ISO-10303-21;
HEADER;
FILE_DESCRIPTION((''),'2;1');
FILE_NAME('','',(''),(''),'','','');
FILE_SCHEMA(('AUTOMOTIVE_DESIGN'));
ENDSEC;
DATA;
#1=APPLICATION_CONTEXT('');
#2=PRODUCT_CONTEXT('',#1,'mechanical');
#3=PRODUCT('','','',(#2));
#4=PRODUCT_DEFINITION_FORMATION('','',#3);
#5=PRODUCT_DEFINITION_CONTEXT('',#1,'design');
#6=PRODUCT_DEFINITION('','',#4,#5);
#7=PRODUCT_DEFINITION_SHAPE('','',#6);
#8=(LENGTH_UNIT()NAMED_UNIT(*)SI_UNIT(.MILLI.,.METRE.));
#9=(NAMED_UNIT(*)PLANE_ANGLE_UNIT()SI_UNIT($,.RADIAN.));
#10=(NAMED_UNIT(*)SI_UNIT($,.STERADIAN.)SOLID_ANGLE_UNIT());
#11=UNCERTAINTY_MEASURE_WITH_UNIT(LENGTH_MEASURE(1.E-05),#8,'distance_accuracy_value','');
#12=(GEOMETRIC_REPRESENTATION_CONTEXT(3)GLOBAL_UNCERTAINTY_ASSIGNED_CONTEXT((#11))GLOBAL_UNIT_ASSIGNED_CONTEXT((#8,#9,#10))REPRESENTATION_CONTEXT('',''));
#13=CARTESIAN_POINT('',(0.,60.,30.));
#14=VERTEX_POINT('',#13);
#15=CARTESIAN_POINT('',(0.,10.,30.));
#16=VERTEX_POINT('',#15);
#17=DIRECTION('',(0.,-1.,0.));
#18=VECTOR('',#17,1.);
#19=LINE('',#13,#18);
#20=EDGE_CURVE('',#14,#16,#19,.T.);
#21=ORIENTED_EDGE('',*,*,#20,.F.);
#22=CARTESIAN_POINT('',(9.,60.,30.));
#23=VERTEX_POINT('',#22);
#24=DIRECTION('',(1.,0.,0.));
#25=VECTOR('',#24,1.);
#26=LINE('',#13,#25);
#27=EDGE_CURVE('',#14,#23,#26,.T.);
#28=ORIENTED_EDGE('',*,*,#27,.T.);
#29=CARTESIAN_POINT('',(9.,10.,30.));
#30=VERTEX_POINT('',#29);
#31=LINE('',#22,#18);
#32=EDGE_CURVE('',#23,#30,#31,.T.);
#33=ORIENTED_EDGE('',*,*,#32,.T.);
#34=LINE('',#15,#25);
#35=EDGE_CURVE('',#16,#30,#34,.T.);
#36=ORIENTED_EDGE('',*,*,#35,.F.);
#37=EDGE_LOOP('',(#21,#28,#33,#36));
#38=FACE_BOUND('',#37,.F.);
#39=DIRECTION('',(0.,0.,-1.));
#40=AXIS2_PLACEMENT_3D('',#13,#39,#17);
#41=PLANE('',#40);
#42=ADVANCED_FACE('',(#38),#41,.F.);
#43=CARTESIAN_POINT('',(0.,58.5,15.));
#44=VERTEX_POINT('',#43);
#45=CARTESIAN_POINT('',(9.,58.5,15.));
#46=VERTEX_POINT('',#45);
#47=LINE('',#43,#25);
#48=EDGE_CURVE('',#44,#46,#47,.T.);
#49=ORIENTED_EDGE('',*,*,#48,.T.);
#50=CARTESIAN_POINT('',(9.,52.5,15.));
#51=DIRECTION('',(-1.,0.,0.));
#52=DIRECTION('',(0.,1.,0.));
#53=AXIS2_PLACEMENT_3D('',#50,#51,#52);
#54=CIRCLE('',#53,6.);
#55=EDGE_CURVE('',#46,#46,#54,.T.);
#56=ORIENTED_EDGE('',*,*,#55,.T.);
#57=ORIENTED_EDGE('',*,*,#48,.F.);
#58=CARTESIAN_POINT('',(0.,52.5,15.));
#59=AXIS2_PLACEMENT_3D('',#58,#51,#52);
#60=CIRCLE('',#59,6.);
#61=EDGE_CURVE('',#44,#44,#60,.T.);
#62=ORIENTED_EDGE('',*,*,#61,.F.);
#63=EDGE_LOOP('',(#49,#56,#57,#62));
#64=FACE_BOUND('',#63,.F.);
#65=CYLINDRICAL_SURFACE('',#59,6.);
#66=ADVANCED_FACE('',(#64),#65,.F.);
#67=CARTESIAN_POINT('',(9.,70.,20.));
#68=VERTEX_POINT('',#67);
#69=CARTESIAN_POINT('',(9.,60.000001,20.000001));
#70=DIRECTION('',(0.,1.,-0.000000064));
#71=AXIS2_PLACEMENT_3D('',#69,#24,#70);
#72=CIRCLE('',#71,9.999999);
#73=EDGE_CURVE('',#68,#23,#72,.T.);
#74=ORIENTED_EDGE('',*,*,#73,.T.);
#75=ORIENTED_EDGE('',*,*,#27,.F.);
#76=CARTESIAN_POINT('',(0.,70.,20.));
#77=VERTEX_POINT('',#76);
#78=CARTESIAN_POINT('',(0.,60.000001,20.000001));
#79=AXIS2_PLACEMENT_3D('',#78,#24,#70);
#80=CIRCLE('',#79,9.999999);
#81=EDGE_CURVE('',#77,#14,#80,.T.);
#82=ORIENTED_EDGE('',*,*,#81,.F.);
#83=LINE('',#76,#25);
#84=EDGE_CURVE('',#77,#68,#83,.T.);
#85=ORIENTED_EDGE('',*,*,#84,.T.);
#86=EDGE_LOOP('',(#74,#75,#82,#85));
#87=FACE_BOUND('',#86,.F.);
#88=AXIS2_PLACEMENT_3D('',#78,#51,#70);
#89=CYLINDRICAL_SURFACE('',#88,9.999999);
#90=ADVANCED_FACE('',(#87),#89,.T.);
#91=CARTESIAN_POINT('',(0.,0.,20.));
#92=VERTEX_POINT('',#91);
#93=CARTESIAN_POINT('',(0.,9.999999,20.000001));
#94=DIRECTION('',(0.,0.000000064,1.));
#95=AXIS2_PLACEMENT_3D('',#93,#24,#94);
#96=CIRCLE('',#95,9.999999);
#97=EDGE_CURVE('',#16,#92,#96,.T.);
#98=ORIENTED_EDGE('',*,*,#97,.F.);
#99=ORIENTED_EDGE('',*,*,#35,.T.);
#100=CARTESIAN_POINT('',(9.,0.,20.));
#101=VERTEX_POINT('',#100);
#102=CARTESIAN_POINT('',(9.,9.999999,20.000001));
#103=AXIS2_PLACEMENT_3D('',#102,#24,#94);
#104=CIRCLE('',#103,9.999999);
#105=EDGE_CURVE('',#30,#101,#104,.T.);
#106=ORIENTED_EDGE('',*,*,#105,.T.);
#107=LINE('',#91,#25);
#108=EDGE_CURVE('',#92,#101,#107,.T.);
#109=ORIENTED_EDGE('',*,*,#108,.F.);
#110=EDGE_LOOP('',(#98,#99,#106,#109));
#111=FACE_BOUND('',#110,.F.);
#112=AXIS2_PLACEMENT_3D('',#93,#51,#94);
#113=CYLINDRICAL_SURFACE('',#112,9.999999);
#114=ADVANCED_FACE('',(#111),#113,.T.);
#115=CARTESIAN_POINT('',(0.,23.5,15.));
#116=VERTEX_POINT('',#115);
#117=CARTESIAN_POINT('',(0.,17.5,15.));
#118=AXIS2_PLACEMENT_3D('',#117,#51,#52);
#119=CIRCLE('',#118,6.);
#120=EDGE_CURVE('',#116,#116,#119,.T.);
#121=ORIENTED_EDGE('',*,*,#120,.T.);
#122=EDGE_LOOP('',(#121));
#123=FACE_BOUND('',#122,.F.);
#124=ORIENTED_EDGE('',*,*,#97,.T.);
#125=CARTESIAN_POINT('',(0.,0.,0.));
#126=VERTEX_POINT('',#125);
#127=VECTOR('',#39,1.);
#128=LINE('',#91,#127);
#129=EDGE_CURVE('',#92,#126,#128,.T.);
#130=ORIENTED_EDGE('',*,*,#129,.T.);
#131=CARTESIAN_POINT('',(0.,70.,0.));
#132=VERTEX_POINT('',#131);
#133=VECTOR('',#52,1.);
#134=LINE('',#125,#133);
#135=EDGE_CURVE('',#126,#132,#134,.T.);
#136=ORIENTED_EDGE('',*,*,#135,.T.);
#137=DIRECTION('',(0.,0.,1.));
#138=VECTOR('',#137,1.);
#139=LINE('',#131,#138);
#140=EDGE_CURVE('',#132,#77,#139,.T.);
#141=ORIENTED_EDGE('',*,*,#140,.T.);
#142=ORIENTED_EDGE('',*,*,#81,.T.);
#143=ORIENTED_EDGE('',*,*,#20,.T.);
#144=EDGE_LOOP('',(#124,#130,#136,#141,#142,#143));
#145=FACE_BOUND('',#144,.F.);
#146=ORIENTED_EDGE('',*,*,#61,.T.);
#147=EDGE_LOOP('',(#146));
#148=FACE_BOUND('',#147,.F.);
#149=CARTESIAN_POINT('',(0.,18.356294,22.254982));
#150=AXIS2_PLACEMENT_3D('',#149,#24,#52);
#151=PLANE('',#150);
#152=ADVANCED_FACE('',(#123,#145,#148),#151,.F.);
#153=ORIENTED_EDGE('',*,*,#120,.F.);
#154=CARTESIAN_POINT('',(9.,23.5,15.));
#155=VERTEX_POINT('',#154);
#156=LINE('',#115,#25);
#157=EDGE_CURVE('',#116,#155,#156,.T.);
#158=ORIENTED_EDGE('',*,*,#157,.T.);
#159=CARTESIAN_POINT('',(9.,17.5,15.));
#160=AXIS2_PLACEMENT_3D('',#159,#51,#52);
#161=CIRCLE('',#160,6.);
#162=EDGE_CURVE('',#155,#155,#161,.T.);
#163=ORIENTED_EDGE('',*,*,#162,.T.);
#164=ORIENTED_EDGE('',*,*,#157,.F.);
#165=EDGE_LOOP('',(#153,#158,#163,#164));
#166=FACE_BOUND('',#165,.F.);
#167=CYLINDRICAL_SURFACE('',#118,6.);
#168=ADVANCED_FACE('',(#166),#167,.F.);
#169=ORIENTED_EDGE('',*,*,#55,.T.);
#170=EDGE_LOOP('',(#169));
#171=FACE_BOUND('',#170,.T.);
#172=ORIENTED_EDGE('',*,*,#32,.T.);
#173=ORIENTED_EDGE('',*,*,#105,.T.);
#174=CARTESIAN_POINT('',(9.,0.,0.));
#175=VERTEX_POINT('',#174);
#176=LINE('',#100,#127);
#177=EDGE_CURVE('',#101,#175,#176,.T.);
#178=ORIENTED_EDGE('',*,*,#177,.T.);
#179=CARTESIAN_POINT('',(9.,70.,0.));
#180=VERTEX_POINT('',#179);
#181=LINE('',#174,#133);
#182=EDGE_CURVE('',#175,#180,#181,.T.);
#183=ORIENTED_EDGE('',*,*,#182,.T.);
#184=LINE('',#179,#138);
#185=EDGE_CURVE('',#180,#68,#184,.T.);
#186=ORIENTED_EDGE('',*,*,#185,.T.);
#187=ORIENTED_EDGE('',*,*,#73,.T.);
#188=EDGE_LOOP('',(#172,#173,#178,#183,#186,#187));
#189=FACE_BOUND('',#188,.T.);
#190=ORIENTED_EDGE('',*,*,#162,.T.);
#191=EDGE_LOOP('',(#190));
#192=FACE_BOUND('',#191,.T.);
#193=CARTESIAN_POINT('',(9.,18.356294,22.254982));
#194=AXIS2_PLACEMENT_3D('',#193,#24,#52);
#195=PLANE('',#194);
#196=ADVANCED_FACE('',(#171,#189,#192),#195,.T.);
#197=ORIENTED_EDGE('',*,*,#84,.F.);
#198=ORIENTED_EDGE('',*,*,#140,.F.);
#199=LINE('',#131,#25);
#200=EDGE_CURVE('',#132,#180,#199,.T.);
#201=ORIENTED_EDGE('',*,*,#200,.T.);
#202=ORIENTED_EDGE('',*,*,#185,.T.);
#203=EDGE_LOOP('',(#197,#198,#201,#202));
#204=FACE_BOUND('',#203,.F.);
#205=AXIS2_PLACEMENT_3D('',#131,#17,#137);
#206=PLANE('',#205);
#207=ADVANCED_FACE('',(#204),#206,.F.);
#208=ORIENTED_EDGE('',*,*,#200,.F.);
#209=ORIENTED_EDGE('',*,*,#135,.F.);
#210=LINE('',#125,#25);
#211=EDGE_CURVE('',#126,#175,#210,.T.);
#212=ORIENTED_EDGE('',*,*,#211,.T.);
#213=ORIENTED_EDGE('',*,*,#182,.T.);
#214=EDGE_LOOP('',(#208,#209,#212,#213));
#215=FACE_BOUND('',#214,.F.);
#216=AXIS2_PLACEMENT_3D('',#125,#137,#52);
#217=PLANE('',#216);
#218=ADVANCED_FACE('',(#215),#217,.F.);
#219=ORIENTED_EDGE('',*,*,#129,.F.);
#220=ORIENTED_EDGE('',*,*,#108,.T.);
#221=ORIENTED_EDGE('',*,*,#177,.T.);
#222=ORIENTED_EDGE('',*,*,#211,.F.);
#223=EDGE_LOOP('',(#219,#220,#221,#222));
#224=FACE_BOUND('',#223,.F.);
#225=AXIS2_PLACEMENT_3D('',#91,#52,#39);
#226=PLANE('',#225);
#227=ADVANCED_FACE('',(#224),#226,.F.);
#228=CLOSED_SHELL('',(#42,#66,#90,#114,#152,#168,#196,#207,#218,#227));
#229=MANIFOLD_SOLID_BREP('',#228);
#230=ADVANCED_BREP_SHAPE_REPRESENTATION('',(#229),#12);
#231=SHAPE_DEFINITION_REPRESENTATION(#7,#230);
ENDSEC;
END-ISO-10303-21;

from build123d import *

# Parameters (mm, degrees)
F1_DEPTH = 9


with BuildPart() as f1:
    # F0 (on Right) → F1 (new body)
    with BuildSketch(Plane.YZ):
        with BuildLine():
            Line((0, 20), (0, 15))
            Line((0, 15), (11.5, 15))
            ThreePointArc((11.5, 15), (17.5, 21), (23.5, 15))
            Line((23.5, 15), (35, 15))
            Line((35, 15), (35, 30))
            Line((35, 30), (10, 30))
            ThreePointArc((10, 30), (2.928932, 27.071068), (0, 20))
        make_face()
        with BuildLine():
            Line((35, 30), (35, 15))
            Line((35, 15), (46.5, 15))
            ThreePointArc((46.5, 15), (52.5, 21), (58.5, 15))
            Line((58.5, 15), (70, 15))
            Line((70, 15), (70, 20))
            ThreePointArc((70, 20), (67.071068, 27.071068), (60, 30))
            Line((60, 30), (35, 30))
        make_face()
        with BuildLine():
            Line((0, 15), (0, 0))
            Line((0, 0), (35, 0))
            Line((35, 0), (35, 15))
            Line((35, 15), (23.5, 15))
            ThreePointArc((23.5, 15), (17.5, 9), (11.5, 15))
            Line((11.5, 15), (0, 15))
        make_face()
        with BuildLine():
            Line((35, 15), (35, 0))
            Line((35, 0), (70, 0))
            Line((70, 0), (70, 15))
            Line((70, 15), (58.5, 15))
            ThreePointArc((58.5, 15), (52.5, 9), (46.5, 15))
            Line((46.5, 15), (35, 15))
        make_face()
    extrude(amount=F1_DEPTH)


solid = f1.part
